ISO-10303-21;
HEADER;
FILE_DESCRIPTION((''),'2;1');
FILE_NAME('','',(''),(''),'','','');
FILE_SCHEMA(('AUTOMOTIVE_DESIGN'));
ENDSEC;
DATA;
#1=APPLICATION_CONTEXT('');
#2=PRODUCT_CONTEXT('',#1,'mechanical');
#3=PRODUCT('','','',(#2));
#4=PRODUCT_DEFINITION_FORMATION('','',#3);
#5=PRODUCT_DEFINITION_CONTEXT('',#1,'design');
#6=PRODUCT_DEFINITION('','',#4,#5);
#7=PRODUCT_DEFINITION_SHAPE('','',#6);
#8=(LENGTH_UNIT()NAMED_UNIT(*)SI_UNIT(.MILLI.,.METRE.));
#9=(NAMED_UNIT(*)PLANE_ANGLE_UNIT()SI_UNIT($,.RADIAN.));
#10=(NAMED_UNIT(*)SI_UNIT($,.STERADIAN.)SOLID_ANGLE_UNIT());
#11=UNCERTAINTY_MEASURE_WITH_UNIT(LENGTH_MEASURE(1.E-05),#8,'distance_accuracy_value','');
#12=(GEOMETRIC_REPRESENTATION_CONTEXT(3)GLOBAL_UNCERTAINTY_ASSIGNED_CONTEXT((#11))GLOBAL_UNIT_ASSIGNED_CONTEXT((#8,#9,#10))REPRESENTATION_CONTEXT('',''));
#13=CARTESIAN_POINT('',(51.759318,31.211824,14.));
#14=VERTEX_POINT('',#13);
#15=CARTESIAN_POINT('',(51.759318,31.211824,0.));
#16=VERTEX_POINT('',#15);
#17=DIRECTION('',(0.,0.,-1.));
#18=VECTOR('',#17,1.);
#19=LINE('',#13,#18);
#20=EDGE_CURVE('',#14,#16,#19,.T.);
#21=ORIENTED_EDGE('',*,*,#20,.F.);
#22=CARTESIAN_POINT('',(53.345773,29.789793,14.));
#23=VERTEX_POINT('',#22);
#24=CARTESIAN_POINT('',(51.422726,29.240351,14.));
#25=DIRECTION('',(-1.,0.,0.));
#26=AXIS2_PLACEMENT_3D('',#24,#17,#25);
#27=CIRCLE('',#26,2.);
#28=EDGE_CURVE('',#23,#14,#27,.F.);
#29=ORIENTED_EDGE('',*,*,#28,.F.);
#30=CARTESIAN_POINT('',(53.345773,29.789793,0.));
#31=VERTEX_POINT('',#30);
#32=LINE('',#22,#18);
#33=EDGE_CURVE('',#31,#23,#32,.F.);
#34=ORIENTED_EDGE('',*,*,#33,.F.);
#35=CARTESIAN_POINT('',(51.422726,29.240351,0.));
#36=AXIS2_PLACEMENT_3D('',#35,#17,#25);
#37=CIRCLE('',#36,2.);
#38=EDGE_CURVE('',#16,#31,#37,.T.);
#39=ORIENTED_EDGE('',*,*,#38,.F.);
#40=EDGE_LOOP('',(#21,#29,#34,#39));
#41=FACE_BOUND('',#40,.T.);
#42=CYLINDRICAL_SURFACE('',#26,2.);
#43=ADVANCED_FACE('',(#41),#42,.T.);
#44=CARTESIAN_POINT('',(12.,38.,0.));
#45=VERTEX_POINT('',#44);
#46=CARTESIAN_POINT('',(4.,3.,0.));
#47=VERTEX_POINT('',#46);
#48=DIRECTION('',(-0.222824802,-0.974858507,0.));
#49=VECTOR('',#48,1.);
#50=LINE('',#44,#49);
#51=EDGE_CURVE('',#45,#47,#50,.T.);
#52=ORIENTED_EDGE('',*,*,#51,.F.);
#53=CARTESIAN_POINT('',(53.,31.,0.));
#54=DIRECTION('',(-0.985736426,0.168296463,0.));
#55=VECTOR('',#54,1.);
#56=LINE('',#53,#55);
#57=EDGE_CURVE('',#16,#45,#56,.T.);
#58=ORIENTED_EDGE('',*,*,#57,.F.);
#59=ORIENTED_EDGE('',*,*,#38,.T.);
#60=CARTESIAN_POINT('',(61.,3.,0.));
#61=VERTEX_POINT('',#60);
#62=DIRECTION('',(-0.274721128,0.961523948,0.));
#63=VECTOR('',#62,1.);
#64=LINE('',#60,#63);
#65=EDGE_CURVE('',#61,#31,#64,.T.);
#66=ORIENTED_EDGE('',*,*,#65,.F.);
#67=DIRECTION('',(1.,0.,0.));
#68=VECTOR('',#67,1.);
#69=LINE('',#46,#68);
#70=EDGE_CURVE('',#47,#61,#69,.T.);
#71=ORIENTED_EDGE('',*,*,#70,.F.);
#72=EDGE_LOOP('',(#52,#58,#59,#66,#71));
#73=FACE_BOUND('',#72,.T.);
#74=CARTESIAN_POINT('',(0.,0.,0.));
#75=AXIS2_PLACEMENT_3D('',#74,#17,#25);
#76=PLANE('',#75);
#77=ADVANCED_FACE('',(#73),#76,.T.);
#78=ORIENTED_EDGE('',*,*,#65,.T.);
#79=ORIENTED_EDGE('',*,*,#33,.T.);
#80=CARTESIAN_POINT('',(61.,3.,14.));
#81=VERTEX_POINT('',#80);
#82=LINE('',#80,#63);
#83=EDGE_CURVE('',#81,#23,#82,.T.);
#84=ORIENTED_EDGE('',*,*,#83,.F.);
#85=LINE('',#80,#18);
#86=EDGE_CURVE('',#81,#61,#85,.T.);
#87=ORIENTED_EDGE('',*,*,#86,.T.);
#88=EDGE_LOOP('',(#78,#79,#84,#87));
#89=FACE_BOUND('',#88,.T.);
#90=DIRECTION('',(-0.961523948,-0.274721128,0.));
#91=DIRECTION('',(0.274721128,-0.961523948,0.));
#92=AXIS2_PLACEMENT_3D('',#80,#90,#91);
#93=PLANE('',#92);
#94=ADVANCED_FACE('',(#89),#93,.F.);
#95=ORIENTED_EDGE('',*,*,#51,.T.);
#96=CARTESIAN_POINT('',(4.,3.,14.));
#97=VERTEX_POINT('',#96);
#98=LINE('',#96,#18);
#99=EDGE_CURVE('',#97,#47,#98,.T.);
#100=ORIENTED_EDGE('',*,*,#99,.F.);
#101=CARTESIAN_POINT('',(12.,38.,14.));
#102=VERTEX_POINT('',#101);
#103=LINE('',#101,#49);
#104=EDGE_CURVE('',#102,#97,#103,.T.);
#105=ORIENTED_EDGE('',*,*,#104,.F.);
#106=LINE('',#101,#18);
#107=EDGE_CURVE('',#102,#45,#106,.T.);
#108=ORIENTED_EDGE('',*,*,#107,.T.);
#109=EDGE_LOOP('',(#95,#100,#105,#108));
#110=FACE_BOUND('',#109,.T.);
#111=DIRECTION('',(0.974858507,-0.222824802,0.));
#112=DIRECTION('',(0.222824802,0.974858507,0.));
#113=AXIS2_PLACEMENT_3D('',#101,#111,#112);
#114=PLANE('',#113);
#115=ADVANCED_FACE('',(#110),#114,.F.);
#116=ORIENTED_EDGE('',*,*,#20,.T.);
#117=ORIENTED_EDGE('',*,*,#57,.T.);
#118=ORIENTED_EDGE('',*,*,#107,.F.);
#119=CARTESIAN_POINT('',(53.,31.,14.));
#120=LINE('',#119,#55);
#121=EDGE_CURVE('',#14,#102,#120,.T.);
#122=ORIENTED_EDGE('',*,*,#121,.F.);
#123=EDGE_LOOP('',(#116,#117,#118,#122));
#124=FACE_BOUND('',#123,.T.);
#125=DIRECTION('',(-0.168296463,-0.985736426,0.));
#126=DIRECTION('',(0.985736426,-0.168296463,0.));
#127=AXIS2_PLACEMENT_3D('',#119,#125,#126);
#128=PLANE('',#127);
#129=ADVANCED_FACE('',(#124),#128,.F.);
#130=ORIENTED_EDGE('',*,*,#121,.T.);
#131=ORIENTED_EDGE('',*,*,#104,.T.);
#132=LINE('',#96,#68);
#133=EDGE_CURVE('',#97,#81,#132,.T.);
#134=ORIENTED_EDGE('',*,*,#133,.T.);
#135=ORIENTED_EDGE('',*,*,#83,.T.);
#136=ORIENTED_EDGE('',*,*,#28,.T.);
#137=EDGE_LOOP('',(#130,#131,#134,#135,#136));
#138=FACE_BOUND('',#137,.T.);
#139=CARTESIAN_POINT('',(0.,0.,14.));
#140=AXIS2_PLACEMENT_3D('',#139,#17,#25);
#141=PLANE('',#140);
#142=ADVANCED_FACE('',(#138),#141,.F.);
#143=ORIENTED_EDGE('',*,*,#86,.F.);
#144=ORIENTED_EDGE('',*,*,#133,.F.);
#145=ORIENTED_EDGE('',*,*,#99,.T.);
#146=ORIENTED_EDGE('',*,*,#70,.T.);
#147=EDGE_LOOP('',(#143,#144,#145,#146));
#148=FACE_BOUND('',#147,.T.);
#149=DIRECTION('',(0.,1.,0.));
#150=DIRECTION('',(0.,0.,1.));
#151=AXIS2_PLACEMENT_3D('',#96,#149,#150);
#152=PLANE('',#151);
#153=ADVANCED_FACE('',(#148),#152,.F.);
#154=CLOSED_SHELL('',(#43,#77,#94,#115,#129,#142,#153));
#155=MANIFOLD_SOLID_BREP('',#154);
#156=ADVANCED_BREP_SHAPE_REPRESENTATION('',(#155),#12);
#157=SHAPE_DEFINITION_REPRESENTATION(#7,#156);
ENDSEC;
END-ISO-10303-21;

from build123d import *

# Parameters (mm, degrees)
BOSS_EXTRUDE1_DEPTH = 14
FILLET1_R           = 2


with BuildPart() as part:
    # Sketch1 → Boss-Extrude1 (new body)
    with BuildSketch(Plane.XY):
        Polygon((4, 3), (61, 3), (53, 31), (12, 38), align=None)
    extrude(amount=BOSS_EXTRUDE1_DEPTH)

    # Fillet1
    fillet1_edges = [part.edges().sort_by_distance(p)[0] for p in [
        (53, 31, 7),
    ]]
    fillet(fillet1_edges, radius=FILLET1_R)


solid = part.part
